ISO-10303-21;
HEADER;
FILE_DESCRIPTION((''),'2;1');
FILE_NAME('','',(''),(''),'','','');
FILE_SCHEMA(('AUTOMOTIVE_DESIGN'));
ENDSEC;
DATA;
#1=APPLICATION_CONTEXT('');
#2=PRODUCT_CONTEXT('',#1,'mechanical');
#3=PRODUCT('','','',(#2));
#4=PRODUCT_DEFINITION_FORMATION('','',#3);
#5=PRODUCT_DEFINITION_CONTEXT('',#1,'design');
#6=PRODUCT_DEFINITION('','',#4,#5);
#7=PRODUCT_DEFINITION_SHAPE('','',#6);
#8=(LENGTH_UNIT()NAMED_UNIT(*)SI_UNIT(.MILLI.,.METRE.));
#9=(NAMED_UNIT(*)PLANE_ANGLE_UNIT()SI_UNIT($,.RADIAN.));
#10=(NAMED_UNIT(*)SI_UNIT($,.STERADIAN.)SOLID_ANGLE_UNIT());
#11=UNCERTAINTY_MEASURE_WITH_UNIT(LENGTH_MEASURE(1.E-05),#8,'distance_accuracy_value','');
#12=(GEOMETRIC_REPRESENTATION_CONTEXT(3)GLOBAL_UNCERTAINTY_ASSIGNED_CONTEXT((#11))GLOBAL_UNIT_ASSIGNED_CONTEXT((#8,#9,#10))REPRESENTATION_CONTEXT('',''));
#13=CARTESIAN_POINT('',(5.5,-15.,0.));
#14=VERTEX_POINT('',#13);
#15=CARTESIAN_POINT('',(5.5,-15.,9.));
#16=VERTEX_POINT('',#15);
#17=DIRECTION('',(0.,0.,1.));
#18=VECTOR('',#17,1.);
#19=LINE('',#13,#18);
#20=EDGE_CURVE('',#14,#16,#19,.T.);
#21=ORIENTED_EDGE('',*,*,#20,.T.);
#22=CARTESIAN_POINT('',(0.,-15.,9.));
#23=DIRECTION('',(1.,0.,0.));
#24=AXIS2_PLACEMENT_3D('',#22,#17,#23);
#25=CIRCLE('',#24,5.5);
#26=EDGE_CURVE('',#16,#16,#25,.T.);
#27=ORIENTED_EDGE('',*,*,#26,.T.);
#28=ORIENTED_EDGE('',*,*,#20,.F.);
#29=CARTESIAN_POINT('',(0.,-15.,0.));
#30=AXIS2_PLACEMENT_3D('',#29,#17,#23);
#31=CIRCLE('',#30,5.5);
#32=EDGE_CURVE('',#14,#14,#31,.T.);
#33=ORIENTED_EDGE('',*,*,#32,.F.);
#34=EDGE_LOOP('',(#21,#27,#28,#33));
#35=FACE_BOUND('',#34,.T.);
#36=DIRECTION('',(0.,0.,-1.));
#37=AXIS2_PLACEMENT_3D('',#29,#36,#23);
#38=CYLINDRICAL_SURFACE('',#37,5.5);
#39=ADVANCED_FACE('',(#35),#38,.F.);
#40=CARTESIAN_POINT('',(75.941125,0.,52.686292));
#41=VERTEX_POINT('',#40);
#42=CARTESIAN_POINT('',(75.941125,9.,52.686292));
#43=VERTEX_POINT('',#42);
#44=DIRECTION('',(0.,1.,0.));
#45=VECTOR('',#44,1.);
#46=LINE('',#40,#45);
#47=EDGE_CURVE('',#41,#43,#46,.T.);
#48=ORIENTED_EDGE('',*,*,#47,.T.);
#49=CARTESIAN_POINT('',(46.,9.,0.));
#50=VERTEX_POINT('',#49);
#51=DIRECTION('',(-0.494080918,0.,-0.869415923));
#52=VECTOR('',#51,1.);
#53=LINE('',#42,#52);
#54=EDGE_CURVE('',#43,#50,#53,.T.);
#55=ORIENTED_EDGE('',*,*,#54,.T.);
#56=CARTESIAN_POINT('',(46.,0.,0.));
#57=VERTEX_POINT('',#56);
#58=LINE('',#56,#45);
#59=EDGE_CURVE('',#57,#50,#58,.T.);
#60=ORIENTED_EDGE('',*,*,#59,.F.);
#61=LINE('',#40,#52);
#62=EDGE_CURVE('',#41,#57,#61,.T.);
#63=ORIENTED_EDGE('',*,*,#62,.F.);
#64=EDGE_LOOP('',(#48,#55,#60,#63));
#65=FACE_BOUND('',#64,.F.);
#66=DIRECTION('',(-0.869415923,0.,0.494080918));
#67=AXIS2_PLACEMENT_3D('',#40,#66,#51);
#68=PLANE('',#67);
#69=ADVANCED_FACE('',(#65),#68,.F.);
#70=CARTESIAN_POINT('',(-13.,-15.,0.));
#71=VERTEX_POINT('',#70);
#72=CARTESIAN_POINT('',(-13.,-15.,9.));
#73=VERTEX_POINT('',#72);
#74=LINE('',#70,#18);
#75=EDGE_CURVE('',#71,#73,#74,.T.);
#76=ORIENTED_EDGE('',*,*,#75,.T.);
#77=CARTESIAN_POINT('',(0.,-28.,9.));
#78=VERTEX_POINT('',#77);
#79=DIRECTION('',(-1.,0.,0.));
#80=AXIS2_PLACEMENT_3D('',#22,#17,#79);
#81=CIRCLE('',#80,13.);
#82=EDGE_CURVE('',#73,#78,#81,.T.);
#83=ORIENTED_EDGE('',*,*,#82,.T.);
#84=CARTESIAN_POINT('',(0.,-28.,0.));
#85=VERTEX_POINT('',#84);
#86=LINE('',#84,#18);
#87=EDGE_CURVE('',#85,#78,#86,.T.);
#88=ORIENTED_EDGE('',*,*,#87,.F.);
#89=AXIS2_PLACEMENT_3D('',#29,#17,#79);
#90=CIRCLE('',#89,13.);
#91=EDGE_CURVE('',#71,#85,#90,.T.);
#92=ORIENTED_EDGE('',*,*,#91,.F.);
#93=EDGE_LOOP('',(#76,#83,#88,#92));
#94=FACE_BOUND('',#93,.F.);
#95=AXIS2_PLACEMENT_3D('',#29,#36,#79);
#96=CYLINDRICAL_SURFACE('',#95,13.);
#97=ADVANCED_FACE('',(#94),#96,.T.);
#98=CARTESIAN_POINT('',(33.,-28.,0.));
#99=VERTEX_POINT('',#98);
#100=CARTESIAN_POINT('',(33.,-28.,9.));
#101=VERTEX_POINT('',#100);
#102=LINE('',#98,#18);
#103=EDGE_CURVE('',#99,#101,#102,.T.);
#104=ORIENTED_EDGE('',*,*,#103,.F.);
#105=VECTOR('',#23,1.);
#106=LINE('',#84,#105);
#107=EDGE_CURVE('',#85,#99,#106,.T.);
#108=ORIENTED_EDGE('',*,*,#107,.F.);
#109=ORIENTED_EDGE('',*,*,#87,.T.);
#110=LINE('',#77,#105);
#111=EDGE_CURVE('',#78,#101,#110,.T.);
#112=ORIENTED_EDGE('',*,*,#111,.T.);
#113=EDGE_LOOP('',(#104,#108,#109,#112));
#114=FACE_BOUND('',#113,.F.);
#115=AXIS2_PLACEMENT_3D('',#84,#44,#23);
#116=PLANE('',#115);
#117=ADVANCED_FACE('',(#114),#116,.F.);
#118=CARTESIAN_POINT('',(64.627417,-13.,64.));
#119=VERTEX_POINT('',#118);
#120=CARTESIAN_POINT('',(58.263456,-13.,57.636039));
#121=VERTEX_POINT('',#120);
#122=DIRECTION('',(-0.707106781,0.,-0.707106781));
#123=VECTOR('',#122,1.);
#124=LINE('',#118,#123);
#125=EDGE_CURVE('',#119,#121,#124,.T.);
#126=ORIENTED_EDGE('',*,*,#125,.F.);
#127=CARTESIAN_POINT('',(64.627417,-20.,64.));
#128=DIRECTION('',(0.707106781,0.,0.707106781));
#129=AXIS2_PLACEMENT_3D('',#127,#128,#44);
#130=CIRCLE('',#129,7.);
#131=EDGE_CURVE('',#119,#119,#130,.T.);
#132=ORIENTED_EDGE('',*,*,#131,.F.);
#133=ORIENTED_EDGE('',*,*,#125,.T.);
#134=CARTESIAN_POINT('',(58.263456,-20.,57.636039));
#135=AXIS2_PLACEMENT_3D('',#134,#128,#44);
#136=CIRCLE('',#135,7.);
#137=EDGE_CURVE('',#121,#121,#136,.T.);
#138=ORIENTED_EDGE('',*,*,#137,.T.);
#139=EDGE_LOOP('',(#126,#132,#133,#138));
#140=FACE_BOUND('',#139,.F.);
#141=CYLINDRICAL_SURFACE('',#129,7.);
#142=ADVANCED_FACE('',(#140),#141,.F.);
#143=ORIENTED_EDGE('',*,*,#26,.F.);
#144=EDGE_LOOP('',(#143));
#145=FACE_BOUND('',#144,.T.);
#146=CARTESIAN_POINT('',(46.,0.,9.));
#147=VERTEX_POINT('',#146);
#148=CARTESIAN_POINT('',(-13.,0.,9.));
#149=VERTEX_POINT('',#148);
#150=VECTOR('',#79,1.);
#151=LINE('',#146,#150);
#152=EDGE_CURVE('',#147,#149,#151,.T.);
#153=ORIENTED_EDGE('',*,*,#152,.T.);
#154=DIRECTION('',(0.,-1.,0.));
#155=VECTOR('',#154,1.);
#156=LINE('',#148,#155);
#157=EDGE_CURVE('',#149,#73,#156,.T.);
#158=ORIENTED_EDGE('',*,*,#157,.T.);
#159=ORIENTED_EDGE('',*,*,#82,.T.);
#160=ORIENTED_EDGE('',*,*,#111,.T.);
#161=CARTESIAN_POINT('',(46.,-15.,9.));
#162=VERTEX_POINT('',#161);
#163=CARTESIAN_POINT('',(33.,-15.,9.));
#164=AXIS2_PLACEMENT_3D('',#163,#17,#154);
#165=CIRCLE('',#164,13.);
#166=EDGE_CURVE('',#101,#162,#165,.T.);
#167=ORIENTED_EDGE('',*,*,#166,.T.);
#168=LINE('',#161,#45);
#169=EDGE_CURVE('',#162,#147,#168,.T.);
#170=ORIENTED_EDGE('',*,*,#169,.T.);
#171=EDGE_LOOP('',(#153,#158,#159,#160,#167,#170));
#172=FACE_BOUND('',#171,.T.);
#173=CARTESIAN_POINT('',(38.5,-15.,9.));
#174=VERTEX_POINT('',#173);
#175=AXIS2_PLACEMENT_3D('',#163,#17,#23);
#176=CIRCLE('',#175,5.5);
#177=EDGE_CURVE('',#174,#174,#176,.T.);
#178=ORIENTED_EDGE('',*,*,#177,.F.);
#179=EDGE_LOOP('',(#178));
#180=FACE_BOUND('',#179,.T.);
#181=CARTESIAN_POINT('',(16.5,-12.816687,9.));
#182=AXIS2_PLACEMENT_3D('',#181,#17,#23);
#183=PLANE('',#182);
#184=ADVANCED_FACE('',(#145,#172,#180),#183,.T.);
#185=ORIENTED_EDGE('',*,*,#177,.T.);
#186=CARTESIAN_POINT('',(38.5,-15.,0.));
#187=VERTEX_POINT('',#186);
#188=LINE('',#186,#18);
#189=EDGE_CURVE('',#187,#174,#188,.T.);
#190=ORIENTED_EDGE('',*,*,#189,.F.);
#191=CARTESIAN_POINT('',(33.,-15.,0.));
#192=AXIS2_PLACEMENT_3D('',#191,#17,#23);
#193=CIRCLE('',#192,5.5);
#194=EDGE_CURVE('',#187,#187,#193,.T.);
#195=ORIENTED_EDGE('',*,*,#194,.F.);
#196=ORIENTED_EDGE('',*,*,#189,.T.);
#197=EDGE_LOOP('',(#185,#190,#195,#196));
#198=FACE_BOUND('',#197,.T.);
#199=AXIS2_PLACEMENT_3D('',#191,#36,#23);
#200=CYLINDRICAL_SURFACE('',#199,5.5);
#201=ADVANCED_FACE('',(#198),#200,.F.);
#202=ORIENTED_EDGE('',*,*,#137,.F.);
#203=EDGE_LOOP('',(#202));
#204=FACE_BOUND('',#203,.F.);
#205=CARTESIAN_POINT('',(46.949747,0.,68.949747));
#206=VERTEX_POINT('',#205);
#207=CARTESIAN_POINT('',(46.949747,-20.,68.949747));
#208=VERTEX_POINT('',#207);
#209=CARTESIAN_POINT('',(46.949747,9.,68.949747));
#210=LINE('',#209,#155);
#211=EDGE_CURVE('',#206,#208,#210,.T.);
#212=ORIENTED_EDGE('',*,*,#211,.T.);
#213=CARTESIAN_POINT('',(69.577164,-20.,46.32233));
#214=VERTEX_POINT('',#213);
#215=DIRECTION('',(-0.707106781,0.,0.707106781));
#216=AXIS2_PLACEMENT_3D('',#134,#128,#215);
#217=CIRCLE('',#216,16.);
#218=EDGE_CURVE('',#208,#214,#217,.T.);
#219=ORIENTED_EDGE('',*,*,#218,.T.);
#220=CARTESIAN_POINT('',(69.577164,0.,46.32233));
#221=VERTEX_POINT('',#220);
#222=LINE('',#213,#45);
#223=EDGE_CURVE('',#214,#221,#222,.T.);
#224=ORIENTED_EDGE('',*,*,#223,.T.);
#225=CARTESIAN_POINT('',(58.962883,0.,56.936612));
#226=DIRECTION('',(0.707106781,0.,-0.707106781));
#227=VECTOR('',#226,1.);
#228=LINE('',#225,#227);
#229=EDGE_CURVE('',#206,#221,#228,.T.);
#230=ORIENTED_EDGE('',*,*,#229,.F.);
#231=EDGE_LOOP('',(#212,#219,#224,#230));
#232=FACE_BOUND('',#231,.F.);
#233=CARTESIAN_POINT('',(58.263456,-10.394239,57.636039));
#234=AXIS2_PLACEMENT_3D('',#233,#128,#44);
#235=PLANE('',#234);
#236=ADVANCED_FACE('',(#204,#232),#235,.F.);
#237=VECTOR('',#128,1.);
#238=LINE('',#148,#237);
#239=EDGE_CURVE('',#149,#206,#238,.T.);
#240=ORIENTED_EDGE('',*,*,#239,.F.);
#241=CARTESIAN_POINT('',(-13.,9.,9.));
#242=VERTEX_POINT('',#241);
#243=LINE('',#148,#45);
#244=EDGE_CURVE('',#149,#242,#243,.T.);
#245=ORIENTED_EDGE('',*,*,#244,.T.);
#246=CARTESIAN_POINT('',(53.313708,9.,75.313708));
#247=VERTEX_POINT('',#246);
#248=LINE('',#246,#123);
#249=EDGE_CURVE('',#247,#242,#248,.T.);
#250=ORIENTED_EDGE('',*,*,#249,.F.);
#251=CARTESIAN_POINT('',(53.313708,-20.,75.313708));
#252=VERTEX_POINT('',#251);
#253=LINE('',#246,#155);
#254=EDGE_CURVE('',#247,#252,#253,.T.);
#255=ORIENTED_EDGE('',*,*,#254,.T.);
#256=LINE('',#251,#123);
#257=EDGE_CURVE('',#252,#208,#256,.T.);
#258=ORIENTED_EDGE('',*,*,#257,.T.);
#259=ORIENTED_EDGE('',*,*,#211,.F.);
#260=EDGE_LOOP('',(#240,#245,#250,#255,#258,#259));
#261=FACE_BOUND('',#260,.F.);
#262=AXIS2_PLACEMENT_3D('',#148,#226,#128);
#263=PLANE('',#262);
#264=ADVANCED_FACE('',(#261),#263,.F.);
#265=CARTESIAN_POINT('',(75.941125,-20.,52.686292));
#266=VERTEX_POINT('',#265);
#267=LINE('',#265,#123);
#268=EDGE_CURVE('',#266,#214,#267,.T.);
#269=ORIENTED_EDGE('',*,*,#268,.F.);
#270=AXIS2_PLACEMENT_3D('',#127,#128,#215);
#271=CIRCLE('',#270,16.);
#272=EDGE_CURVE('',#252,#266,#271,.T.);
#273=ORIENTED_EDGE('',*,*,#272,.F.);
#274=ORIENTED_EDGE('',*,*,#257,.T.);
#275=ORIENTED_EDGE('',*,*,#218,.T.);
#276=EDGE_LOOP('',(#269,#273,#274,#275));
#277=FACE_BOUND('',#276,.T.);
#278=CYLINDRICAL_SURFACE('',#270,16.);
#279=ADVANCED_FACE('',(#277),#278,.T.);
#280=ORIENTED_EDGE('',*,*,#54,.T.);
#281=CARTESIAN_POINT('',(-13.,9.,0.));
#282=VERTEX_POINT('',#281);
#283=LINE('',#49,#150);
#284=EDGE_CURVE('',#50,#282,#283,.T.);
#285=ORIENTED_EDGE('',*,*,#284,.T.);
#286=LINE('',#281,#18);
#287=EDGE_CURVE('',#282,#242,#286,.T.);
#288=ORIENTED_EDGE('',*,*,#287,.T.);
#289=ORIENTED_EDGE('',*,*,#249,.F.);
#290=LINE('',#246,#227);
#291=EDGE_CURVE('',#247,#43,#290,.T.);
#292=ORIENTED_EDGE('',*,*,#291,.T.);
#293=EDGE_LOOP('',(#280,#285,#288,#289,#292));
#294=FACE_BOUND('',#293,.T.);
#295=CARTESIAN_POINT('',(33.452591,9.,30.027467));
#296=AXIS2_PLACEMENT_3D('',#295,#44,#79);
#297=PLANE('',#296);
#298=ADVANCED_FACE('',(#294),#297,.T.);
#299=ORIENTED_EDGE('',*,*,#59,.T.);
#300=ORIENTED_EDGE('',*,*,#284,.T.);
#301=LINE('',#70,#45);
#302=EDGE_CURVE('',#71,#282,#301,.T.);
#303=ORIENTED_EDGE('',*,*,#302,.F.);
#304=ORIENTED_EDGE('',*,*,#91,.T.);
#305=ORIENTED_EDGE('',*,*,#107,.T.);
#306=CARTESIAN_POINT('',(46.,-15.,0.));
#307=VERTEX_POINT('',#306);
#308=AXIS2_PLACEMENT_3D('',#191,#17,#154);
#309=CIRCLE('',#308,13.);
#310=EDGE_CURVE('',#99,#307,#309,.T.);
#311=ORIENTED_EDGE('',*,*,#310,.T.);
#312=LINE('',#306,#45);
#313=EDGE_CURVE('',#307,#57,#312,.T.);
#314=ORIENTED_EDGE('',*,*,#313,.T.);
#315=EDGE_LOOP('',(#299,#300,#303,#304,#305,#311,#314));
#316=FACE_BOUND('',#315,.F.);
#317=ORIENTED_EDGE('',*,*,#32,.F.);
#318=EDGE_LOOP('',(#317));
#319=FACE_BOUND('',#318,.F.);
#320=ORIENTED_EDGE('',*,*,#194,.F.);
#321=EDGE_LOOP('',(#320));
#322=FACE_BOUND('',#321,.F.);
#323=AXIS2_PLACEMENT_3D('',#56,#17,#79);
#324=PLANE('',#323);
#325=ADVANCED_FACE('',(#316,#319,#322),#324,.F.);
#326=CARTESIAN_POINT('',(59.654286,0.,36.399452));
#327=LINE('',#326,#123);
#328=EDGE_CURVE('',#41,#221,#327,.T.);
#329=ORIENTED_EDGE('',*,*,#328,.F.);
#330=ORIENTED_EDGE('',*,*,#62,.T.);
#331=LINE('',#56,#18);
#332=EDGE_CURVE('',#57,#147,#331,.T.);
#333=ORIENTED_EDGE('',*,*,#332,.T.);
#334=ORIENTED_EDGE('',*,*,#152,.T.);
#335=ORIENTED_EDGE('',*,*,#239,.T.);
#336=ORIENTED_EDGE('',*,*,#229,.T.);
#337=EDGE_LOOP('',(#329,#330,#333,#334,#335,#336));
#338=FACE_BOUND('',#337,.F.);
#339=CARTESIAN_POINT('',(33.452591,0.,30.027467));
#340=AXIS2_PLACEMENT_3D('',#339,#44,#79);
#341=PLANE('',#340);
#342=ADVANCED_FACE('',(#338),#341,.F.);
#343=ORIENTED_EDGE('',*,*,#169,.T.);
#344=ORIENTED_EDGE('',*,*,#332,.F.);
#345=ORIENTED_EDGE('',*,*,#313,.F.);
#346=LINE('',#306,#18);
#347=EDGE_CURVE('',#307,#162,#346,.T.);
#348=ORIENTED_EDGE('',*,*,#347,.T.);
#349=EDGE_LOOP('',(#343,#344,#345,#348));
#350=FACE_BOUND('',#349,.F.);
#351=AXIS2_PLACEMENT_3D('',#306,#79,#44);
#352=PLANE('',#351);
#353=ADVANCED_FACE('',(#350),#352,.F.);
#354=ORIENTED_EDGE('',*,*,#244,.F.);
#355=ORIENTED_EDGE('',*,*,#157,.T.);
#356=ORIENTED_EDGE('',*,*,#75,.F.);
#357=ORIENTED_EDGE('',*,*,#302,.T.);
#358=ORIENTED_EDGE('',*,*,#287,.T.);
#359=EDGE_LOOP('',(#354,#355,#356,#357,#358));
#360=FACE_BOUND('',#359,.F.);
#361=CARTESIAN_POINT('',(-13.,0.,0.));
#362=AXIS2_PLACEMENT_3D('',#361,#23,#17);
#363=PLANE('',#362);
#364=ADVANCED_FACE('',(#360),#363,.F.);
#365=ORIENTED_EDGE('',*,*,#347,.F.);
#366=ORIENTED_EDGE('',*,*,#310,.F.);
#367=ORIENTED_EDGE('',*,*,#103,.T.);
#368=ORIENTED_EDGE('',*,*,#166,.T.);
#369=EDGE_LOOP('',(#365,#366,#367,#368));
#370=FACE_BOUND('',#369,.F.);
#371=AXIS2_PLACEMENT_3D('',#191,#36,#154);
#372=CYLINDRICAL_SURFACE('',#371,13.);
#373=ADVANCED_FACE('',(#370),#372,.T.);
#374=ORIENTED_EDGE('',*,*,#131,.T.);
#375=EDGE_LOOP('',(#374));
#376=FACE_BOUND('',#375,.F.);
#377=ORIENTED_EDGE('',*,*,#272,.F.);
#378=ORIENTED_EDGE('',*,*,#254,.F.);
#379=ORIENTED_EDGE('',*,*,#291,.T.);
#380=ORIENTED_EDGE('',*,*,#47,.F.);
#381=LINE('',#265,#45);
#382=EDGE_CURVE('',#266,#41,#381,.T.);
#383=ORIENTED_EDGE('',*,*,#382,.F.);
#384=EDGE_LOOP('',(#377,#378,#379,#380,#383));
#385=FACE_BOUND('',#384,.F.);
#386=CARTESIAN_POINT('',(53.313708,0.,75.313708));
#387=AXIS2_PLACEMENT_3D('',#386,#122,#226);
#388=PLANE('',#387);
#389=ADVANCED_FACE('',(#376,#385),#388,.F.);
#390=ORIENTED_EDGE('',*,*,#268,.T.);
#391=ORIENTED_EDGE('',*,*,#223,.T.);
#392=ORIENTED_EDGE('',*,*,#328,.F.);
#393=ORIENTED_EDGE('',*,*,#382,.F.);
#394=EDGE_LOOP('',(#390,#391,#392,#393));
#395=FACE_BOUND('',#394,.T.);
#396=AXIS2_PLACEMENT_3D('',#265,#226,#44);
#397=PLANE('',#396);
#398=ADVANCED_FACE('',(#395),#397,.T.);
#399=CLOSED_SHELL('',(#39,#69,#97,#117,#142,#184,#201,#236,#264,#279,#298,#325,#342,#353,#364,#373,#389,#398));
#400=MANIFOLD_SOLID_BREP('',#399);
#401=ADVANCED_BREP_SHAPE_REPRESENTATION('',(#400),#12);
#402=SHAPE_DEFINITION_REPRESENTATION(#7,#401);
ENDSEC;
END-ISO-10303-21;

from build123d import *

# Parameters (mm, degrees)
F0_R     = 5.5
F1_DEPTH = 9
F3_DEPTH = 9
F4_R     = 7
F5_DEPTH = 9


with BuildPart() as f1:
    # F0 (on Top) → F1 (new body)
    with BuildSketch(Plane.XY):
        with BuildLine():
            Line((33, 0), (0, 0))
            Line((0, 0), (-13, 0))
            Line((-13, 0), (-13, -15))
            ThreePointArc((-13, -15), (-9.1923881554, -24.1923881554), (0, -28))
            Line((0, -28), (33, -28))
            ThreePointArc((33, -28), (42.1923881554, -24.1923881554), (46, -15))
            Line((46, -15), (46, 0))
            Line((46, 0), (33, 0))
        make_face()
        with Locations((0, -15)):
            Circle(F0_R, mode=Mode.SUBTRACT)
        with Locations((33, -15)):
            Circle(F0_R, mode=Mode.SUBTRACT)
    extrude(amount=F1_DEPTH)

    # F2 (on face) → F3 (join)
    with BuildSketch(Plane(origin=(0, 0, 0), x_dir=(-1, 0, 0), z_dir=(0, 1, 0))):
        Polygon((-75.941125497, 52.686291501), (-46, 0), (13, 0), (13, 9), (-53.313708499, 75.313708499), align=None)
    extrude(amount=F3_DEPTH)

    # F4 (on face) → F5 (join)
    with BuildSketch(Plane(origin=(64.313708499, 0, 64.313708499), x_dir=(0, 1, 0), z_dir=(0.7071067812, 0, 0.7071067812))):
        with BuildLine():
            Line((9, -16.4436508139), (9, 15.5563491861))
            Line((9, 15.5563491861), (-20, 15.5563491861))
            ThreePointArc((-20, 15.5563491861), (-36, -0.4436508139), (-20, -16.4436508139))
            Line((-20, -16.4436508139), (9, -16.4436508139))
        make_face()
        with Locations((-20, -0.4436508139)):
            Circle(F4_R, mode=Mode.SUBTRACT)
    extrude(amount=-F5_DEPTH)


solid = f1.part
